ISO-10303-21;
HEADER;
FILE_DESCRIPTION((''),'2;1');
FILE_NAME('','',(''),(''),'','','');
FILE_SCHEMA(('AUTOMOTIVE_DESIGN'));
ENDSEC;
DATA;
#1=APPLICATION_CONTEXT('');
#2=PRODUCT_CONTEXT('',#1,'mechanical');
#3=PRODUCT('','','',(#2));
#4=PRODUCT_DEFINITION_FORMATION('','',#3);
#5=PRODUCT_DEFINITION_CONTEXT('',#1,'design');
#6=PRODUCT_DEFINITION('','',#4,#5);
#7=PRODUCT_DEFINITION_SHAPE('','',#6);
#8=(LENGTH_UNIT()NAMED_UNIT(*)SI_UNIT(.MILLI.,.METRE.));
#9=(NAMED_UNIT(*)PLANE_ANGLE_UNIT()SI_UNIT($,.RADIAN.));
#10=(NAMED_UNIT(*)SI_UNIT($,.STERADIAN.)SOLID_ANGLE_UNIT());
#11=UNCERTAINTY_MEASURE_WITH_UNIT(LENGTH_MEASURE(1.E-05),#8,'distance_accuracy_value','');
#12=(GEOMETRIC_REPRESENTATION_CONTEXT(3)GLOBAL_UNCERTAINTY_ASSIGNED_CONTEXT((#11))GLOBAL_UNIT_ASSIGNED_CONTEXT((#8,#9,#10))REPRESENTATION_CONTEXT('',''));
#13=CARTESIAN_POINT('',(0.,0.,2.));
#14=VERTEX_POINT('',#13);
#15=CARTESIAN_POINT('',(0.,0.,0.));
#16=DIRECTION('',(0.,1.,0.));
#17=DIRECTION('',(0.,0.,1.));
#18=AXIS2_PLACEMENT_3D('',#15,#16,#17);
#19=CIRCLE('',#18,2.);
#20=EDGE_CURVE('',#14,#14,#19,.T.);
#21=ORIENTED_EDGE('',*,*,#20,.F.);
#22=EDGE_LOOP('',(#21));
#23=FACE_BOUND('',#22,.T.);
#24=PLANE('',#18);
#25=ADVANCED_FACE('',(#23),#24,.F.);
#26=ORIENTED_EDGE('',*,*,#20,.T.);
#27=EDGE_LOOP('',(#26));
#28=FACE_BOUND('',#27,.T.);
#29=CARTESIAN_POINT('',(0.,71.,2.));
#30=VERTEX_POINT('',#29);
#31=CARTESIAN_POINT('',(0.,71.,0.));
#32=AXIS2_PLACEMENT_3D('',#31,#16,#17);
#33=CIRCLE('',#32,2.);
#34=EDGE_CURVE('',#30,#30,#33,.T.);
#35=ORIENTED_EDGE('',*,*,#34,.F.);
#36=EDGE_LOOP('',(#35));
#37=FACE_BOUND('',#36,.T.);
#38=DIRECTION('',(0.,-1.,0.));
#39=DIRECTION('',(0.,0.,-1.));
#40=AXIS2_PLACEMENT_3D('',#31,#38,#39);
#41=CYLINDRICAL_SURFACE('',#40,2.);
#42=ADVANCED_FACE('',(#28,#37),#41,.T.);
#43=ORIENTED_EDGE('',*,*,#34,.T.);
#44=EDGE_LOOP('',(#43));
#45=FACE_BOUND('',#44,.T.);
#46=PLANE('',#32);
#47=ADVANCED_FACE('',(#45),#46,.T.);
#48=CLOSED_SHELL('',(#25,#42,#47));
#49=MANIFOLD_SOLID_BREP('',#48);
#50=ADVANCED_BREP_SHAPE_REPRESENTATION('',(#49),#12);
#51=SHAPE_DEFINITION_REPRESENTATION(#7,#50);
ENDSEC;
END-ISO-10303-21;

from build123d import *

# Parameters (mm, degrees)
ESQUISSE1_R        = 2
BOSS_EXTRU_1_DEPTH = 71


with BuildPart() as part:
    # Esquisse1 → Boss.-Extru.1 (new body)
    with BuildSketch(Plane(origin=(0, 0, 0), x_dir=(1, 0, 0), z_dir=(0, 1, 0))):
        with Locations(Location((0, 0, 0), (0, 0, 270))):
            Circle(ESQUISSE1_R)
    extrude(amount=BOSS_EXTRU_1_DEPTH)


solid = part.part
